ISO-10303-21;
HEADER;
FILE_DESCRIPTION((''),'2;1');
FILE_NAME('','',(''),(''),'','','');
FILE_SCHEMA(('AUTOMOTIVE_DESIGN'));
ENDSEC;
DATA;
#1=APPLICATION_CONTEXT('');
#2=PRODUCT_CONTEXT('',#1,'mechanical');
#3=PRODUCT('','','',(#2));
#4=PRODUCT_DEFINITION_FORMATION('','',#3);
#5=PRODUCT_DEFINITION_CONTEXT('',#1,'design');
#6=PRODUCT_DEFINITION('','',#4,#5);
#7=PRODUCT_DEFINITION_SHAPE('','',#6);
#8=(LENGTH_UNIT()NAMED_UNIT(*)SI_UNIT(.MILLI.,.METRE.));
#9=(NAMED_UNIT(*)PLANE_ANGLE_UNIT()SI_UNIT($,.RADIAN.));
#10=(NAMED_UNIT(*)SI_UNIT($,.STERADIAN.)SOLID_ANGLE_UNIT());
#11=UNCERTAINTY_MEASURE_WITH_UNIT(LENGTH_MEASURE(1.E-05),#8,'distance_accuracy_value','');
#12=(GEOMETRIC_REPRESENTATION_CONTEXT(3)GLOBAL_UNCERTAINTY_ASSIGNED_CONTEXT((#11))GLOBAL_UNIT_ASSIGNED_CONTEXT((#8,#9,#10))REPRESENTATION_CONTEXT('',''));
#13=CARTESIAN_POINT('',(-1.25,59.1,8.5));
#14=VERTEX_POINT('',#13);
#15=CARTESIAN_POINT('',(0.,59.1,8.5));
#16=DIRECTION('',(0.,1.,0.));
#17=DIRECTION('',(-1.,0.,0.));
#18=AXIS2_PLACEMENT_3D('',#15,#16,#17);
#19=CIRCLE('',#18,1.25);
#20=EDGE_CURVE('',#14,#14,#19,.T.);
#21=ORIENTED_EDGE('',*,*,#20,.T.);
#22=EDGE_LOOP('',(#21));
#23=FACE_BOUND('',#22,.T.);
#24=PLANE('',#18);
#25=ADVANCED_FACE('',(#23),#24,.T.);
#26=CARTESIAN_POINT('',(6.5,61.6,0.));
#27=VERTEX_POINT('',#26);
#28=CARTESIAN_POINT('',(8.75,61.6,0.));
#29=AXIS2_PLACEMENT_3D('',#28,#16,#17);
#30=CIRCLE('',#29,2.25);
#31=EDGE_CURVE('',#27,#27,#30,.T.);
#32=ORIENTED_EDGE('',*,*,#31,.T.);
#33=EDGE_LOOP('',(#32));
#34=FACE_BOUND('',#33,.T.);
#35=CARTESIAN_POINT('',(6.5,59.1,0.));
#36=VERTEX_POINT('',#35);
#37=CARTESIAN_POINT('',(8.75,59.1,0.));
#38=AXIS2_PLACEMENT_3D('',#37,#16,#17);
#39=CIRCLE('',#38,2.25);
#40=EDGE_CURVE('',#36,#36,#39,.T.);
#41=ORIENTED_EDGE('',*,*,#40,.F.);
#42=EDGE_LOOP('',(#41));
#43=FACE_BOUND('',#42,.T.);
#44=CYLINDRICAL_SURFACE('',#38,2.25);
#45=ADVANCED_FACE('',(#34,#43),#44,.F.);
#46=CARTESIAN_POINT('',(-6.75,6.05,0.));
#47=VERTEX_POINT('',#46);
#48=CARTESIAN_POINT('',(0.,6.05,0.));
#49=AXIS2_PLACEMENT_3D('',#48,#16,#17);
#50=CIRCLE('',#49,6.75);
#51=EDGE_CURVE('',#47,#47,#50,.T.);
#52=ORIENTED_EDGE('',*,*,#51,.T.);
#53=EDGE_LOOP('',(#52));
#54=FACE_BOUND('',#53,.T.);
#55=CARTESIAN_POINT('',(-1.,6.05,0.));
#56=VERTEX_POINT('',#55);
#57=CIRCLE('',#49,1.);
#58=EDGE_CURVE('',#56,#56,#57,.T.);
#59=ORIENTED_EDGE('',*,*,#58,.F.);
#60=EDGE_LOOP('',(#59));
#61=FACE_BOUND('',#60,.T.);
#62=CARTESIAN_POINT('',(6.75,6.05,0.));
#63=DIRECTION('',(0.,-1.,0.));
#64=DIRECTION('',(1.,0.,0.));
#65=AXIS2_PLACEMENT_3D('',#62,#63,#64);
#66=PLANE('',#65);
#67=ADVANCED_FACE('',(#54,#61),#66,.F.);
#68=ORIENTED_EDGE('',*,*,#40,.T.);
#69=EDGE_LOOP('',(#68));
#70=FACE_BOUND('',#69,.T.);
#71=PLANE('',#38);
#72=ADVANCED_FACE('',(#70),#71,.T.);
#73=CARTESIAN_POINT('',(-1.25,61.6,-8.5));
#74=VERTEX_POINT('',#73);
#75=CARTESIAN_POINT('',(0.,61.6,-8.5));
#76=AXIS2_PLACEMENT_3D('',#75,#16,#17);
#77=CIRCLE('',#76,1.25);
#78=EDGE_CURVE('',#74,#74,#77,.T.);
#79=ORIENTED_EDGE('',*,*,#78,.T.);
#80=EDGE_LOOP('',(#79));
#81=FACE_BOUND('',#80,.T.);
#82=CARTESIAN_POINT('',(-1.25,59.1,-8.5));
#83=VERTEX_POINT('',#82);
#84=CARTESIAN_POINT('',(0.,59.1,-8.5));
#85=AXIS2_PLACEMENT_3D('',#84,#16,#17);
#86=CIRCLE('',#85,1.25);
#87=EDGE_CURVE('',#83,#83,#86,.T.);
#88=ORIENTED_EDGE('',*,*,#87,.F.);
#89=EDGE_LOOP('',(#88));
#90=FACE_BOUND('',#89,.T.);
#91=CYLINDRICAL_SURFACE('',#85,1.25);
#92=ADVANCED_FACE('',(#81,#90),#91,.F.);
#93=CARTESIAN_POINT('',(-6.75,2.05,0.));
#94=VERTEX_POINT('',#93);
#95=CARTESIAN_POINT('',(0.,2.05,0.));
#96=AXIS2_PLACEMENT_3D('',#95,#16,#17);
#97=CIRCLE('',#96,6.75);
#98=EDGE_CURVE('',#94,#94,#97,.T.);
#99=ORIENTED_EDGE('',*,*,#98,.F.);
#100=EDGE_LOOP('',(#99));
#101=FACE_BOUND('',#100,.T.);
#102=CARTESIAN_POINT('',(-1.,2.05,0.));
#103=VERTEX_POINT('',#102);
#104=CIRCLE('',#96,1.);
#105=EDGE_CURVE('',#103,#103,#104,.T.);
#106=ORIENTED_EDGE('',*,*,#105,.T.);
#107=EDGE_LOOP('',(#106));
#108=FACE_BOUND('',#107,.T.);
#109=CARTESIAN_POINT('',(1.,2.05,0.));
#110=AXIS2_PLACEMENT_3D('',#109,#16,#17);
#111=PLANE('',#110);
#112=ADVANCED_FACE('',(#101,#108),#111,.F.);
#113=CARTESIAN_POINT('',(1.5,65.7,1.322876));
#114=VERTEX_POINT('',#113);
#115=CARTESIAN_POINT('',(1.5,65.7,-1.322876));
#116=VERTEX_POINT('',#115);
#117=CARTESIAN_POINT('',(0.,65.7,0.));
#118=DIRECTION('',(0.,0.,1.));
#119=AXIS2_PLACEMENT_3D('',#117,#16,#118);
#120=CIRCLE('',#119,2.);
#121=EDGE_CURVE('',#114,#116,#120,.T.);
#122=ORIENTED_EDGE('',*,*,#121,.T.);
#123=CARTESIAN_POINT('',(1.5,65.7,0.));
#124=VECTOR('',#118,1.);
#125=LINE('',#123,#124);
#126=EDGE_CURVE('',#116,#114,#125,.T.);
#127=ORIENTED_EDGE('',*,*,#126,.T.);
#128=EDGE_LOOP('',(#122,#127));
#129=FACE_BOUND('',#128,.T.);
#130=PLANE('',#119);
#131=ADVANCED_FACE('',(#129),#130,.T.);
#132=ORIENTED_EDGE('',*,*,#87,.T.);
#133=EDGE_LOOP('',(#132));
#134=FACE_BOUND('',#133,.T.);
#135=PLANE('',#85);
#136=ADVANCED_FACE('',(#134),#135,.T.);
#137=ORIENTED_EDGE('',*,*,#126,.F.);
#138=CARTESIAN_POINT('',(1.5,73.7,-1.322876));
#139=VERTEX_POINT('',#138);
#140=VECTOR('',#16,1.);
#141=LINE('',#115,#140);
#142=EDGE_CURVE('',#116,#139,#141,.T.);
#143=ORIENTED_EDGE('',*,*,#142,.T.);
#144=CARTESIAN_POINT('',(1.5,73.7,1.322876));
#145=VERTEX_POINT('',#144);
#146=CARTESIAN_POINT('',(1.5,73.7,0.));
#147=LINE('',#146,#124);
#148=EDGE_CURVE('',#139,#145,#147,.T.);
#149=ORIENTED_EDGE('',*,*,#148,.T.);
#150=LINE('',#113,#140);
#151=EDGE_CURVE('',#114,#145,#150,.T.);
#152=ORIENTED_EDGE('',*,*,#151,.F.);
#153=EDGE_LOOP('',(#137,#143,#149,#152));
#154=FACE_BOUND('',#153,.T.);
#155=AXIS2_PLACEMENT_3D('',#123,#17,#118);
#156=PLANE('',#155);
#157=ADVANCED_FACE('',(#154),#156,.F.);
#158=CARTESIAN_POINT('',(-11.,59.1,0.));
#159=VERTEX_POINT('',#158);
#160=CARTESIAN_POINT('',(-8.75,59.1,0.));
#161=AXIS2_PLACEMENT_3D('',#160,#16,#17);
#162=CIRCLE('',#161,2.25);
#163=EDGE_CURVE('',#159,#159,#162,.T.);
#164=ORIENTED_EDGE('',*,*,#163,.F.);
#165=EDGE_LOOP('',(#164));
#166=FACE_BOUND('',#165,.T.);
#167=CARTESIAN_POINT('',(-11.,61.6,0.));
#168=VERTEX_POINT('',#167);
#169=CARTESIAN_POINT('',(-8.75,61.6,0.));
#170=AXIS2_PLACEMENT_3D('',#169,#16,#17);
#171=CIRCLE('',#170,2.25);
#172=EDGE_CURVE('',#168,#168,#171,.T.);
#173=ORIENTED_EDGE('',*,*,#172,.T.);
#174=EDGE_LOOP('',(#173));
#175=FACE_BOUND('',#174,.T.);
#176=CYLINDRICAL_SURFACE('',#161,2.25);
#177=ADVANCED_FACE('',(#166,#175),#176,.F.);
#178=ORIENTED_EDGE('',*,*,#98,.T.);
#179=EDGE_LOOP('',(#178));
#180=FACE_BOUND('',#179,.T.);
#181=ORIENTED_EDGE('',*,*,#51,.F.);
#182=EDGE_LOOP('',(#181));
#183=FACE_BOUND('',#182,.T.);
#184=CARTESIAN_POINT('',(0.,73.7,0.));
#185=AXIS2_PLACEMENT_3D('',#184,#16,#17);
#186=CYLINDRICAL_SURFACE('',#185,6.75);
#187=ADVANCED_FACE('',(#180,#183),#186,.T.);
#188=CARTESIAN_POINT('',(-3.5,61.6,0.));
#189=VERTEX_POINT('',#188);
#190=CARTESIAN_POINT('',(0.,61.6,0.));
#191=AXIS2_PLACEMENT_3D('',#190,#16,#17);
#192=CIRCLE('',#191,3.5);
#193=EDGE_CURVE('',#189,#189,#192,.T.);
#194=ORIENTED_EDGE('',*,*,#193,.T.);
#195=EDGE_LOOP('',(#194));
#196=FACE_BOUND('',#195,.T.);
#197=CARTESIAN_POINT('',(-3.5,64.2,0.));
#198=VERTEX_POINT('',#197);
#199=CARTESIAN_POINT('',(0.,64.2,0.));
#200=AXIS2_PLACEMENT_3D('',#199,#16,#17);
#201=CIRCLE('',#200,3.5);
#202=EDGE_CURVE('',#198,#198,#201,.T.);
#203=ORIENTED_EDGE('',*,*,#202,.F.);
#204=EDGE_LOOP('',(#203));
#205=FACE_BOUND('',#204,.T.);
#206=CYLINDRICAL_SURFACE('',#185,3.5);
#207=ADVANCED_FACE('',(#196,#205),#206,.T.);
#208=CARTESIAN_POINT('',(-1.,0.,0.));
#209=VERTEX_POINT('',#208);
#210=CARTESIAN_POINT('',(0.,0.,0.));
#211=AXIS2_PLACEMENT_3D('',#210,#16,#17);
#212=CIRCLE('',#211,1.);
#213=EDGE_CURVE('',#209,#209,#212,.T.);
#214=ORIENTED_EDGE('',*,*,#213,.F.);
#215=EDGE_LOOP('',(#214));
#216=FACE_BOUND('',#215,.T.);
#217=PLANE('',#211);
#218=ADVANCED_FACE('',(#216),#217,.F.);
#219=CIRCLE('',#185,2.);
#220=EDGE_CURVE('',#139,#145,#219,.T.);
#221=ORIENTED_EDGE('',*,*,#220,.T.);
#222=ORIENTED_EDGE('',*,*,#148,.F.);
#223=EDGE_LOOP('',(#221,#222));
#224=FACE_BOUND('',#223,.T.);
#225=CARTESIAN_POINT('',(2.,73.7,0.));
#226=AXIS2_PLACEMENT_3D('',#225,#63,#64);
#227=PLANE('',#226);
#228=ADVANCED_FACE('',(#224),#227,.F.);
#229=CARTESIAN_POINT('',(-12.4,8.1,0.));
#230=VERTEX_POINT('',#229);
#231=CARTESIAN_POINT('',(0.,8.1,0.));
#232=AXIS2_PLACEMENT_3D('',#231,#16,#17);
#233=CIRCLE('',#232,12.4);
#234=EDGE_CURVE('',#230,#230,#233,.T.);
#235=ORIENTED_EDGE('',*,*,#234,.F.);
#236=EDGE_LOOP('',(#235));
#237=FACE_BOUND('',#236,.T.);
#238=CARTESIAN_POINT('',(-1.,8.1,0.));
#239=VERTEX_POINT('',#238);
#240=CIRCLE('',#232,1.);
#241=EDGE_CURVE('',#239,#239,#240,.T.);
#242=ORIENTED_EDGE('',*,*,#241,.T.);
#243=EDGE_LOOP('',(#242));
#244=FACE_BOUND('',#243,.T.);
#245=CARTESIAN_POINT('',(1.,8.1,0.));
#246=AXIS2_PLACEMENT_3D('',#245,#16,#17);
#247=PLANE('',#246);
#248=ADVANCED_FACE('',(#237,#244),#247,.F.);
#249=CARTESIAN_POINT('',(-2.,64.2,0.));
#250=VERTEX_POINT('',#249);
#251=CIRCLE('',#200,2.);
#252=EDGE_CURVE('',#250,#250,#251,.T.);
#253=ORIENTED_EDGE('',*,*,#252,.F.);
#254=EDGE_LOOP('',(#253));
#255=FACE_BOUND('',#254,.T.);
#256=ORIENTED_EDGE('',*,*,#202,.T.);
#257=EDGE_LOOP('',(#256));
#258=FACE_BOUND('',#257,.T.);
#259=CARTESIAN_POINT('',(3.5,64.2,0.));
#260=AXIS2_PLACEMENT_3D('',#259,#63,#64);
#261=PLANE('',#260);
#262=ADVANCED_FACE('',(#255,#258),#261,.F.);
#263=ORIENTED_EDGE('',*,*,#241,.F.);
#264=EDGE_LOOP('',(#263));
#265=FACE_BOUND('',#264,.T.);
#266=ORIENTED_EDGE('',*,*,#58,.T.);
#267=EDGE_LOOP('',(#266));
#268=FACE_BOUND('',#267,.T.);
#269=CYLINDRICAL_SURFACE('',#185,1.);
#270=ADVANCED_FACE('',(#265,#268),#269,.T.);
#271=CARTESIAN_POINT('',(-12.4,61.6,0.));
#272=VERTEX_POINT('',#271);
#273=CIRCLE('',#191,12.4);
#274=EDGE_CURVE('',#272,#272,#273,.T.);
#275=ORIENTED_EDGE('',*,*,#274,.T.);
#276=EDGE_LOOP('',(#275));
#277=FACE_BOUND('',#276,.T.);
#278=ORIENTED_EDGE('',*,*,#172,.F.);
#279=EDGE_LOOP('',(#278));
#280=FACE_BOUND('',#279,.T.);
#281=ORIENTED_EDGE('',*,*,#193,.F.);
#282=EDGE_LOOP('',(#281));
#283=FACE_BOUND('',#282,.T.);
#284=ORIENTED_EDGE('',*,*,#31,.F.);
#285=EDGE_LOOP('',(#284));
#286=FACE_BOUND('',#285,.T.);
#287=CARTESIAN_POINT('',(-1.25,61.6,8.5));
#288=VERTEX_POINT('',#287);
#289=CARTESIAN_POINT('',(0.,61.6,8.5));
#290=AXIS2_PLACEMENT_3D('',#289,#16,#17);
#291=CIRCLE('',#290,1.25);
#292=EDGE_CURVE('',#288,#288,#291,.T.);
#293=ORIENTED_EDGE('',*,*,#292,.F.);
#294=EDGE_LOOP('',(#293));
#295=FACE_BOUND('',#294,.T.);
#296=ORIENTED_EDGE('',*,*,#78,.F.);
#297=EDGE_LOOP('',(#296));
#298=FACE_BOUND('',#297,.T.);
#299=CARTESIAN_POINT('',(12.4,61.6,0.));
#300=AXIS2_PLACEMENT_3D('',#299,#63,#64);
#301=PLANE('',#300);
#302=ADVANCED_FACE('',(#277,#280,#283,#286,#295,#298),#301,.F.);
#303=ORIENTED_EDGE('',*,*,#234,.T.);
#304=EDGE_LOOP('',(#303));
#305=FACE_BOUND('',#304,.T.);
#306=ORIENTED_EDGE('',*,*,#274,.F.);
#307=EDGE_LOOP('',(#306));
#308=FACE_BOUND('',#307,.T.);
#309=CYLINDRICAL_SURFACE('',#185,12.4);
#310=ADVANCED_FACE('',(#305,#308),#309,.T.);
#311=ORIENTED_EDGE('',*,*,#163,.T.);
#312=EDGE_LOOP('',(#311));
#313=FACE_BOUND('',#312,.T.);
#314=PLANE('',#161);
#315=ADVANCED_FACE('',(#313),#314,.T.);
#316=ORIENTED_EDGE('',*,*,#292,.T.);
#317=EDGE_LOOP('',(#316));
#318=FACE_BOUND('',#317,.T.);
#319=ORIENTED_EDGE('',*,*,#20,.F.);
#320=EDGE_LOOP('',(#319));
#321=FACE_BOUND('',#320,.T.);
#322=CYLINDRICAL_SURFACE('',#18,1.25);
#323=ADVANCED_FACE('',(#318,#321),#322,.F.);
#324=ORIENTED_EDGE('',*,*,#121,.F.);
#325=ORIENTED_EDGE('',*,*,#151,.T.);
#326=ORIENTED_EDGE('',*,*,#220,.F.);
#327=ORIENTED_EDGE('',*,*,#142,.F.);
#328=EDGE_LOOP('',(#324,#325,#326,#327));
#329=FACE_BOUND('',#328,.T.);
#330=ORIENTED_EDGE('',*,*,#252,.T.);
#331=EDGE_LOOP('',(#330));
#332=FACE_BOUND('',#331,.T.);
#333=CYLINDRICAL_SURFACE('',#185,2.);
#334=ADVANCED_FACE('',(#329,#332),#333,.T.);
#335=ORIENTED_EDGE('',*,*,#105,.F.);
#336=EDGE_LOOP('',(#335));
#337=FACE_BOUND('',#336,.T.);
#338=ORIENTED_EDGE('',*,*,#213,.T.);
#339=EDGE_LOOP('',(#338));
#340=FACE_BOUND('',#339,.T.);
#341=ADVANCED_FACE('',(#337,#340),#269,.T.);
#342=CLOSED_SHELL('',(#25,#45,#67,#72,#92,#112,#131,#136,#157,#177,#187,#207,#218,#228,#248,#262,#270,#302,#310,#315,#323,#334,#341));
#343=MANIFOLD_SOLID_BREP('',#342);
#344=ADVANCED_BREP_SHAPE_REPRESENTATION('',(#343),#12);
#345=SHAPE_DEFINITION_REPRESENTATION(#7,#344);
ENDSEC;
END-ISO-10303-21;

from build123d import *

# Parameters (mm, degrees)
CROQUIS3_R            = 2.25
CROQUIS3_R_2          = 1.25
CORTAR_EXTRUIR1_DEPTH = 2.5
CORTAR_EXTRUIR2_DEPTH = 8


with BuildPart() as part:
    # Croquis2 → Revolución1 (revolve)
    with BuildSketch(Plane.XY):
        Polygon((0, 0), (1, 0), (1, 2.05), (6.75, 2.05), (6.75, 6.05), (1, 6.05), (1, 8.1), (12.4, 8.1), (12.4, 61.6), (3.5, 61.6), (3.5, 64.2), (2, 64.2), (2, 73.7), (0, 73.7), align=None)
    revolve(axis=Axis((0, 73.7, 0), (0, -1, 0)))

    # Croquis3 → Cortar-Extruir1 (cut)
    with BuildSketch(Plane(origin=(0, 61.6, 0), x_dir=(1, 0, 0), z_dir=(0, 1, 0))):
        with Locations((8.75, 0)):
            Circle(CROQUIS3_R)
        with Locations((-8.75, 0)):
            Circle(CROQUIS3_R)
        with Locations((0, 8.5)):
            Circle(CROQUIS3_R_2)
        with Locations((0, -8.5)):
            Circle(CROQUIS3_R_2)
    extrude(amount=-CORTAR_EXTRUIR1_DEPTH, mode=Mode.SUBTRACT)

    # Croquis4 → Cortar-Extruir2 (cut)
    with BuildSketch(Plane(origin=(0, 73.7, 0), x_dir=(1, 0, 0), z_dir=(0, 1, 0))):
        Polygon((1.5, 50.388324137), (1.5, 1.322875656), (1.5, -1.322875656), (1.5, -50.388324137), (99.630896962, -50.388324137), (99.630896962, 50.388324137), align=None)
    extrude(amount=-CORTAR_EXTRUIR2_DEPTH, mode=Mode.SUBTRACT)


solid = part.part
